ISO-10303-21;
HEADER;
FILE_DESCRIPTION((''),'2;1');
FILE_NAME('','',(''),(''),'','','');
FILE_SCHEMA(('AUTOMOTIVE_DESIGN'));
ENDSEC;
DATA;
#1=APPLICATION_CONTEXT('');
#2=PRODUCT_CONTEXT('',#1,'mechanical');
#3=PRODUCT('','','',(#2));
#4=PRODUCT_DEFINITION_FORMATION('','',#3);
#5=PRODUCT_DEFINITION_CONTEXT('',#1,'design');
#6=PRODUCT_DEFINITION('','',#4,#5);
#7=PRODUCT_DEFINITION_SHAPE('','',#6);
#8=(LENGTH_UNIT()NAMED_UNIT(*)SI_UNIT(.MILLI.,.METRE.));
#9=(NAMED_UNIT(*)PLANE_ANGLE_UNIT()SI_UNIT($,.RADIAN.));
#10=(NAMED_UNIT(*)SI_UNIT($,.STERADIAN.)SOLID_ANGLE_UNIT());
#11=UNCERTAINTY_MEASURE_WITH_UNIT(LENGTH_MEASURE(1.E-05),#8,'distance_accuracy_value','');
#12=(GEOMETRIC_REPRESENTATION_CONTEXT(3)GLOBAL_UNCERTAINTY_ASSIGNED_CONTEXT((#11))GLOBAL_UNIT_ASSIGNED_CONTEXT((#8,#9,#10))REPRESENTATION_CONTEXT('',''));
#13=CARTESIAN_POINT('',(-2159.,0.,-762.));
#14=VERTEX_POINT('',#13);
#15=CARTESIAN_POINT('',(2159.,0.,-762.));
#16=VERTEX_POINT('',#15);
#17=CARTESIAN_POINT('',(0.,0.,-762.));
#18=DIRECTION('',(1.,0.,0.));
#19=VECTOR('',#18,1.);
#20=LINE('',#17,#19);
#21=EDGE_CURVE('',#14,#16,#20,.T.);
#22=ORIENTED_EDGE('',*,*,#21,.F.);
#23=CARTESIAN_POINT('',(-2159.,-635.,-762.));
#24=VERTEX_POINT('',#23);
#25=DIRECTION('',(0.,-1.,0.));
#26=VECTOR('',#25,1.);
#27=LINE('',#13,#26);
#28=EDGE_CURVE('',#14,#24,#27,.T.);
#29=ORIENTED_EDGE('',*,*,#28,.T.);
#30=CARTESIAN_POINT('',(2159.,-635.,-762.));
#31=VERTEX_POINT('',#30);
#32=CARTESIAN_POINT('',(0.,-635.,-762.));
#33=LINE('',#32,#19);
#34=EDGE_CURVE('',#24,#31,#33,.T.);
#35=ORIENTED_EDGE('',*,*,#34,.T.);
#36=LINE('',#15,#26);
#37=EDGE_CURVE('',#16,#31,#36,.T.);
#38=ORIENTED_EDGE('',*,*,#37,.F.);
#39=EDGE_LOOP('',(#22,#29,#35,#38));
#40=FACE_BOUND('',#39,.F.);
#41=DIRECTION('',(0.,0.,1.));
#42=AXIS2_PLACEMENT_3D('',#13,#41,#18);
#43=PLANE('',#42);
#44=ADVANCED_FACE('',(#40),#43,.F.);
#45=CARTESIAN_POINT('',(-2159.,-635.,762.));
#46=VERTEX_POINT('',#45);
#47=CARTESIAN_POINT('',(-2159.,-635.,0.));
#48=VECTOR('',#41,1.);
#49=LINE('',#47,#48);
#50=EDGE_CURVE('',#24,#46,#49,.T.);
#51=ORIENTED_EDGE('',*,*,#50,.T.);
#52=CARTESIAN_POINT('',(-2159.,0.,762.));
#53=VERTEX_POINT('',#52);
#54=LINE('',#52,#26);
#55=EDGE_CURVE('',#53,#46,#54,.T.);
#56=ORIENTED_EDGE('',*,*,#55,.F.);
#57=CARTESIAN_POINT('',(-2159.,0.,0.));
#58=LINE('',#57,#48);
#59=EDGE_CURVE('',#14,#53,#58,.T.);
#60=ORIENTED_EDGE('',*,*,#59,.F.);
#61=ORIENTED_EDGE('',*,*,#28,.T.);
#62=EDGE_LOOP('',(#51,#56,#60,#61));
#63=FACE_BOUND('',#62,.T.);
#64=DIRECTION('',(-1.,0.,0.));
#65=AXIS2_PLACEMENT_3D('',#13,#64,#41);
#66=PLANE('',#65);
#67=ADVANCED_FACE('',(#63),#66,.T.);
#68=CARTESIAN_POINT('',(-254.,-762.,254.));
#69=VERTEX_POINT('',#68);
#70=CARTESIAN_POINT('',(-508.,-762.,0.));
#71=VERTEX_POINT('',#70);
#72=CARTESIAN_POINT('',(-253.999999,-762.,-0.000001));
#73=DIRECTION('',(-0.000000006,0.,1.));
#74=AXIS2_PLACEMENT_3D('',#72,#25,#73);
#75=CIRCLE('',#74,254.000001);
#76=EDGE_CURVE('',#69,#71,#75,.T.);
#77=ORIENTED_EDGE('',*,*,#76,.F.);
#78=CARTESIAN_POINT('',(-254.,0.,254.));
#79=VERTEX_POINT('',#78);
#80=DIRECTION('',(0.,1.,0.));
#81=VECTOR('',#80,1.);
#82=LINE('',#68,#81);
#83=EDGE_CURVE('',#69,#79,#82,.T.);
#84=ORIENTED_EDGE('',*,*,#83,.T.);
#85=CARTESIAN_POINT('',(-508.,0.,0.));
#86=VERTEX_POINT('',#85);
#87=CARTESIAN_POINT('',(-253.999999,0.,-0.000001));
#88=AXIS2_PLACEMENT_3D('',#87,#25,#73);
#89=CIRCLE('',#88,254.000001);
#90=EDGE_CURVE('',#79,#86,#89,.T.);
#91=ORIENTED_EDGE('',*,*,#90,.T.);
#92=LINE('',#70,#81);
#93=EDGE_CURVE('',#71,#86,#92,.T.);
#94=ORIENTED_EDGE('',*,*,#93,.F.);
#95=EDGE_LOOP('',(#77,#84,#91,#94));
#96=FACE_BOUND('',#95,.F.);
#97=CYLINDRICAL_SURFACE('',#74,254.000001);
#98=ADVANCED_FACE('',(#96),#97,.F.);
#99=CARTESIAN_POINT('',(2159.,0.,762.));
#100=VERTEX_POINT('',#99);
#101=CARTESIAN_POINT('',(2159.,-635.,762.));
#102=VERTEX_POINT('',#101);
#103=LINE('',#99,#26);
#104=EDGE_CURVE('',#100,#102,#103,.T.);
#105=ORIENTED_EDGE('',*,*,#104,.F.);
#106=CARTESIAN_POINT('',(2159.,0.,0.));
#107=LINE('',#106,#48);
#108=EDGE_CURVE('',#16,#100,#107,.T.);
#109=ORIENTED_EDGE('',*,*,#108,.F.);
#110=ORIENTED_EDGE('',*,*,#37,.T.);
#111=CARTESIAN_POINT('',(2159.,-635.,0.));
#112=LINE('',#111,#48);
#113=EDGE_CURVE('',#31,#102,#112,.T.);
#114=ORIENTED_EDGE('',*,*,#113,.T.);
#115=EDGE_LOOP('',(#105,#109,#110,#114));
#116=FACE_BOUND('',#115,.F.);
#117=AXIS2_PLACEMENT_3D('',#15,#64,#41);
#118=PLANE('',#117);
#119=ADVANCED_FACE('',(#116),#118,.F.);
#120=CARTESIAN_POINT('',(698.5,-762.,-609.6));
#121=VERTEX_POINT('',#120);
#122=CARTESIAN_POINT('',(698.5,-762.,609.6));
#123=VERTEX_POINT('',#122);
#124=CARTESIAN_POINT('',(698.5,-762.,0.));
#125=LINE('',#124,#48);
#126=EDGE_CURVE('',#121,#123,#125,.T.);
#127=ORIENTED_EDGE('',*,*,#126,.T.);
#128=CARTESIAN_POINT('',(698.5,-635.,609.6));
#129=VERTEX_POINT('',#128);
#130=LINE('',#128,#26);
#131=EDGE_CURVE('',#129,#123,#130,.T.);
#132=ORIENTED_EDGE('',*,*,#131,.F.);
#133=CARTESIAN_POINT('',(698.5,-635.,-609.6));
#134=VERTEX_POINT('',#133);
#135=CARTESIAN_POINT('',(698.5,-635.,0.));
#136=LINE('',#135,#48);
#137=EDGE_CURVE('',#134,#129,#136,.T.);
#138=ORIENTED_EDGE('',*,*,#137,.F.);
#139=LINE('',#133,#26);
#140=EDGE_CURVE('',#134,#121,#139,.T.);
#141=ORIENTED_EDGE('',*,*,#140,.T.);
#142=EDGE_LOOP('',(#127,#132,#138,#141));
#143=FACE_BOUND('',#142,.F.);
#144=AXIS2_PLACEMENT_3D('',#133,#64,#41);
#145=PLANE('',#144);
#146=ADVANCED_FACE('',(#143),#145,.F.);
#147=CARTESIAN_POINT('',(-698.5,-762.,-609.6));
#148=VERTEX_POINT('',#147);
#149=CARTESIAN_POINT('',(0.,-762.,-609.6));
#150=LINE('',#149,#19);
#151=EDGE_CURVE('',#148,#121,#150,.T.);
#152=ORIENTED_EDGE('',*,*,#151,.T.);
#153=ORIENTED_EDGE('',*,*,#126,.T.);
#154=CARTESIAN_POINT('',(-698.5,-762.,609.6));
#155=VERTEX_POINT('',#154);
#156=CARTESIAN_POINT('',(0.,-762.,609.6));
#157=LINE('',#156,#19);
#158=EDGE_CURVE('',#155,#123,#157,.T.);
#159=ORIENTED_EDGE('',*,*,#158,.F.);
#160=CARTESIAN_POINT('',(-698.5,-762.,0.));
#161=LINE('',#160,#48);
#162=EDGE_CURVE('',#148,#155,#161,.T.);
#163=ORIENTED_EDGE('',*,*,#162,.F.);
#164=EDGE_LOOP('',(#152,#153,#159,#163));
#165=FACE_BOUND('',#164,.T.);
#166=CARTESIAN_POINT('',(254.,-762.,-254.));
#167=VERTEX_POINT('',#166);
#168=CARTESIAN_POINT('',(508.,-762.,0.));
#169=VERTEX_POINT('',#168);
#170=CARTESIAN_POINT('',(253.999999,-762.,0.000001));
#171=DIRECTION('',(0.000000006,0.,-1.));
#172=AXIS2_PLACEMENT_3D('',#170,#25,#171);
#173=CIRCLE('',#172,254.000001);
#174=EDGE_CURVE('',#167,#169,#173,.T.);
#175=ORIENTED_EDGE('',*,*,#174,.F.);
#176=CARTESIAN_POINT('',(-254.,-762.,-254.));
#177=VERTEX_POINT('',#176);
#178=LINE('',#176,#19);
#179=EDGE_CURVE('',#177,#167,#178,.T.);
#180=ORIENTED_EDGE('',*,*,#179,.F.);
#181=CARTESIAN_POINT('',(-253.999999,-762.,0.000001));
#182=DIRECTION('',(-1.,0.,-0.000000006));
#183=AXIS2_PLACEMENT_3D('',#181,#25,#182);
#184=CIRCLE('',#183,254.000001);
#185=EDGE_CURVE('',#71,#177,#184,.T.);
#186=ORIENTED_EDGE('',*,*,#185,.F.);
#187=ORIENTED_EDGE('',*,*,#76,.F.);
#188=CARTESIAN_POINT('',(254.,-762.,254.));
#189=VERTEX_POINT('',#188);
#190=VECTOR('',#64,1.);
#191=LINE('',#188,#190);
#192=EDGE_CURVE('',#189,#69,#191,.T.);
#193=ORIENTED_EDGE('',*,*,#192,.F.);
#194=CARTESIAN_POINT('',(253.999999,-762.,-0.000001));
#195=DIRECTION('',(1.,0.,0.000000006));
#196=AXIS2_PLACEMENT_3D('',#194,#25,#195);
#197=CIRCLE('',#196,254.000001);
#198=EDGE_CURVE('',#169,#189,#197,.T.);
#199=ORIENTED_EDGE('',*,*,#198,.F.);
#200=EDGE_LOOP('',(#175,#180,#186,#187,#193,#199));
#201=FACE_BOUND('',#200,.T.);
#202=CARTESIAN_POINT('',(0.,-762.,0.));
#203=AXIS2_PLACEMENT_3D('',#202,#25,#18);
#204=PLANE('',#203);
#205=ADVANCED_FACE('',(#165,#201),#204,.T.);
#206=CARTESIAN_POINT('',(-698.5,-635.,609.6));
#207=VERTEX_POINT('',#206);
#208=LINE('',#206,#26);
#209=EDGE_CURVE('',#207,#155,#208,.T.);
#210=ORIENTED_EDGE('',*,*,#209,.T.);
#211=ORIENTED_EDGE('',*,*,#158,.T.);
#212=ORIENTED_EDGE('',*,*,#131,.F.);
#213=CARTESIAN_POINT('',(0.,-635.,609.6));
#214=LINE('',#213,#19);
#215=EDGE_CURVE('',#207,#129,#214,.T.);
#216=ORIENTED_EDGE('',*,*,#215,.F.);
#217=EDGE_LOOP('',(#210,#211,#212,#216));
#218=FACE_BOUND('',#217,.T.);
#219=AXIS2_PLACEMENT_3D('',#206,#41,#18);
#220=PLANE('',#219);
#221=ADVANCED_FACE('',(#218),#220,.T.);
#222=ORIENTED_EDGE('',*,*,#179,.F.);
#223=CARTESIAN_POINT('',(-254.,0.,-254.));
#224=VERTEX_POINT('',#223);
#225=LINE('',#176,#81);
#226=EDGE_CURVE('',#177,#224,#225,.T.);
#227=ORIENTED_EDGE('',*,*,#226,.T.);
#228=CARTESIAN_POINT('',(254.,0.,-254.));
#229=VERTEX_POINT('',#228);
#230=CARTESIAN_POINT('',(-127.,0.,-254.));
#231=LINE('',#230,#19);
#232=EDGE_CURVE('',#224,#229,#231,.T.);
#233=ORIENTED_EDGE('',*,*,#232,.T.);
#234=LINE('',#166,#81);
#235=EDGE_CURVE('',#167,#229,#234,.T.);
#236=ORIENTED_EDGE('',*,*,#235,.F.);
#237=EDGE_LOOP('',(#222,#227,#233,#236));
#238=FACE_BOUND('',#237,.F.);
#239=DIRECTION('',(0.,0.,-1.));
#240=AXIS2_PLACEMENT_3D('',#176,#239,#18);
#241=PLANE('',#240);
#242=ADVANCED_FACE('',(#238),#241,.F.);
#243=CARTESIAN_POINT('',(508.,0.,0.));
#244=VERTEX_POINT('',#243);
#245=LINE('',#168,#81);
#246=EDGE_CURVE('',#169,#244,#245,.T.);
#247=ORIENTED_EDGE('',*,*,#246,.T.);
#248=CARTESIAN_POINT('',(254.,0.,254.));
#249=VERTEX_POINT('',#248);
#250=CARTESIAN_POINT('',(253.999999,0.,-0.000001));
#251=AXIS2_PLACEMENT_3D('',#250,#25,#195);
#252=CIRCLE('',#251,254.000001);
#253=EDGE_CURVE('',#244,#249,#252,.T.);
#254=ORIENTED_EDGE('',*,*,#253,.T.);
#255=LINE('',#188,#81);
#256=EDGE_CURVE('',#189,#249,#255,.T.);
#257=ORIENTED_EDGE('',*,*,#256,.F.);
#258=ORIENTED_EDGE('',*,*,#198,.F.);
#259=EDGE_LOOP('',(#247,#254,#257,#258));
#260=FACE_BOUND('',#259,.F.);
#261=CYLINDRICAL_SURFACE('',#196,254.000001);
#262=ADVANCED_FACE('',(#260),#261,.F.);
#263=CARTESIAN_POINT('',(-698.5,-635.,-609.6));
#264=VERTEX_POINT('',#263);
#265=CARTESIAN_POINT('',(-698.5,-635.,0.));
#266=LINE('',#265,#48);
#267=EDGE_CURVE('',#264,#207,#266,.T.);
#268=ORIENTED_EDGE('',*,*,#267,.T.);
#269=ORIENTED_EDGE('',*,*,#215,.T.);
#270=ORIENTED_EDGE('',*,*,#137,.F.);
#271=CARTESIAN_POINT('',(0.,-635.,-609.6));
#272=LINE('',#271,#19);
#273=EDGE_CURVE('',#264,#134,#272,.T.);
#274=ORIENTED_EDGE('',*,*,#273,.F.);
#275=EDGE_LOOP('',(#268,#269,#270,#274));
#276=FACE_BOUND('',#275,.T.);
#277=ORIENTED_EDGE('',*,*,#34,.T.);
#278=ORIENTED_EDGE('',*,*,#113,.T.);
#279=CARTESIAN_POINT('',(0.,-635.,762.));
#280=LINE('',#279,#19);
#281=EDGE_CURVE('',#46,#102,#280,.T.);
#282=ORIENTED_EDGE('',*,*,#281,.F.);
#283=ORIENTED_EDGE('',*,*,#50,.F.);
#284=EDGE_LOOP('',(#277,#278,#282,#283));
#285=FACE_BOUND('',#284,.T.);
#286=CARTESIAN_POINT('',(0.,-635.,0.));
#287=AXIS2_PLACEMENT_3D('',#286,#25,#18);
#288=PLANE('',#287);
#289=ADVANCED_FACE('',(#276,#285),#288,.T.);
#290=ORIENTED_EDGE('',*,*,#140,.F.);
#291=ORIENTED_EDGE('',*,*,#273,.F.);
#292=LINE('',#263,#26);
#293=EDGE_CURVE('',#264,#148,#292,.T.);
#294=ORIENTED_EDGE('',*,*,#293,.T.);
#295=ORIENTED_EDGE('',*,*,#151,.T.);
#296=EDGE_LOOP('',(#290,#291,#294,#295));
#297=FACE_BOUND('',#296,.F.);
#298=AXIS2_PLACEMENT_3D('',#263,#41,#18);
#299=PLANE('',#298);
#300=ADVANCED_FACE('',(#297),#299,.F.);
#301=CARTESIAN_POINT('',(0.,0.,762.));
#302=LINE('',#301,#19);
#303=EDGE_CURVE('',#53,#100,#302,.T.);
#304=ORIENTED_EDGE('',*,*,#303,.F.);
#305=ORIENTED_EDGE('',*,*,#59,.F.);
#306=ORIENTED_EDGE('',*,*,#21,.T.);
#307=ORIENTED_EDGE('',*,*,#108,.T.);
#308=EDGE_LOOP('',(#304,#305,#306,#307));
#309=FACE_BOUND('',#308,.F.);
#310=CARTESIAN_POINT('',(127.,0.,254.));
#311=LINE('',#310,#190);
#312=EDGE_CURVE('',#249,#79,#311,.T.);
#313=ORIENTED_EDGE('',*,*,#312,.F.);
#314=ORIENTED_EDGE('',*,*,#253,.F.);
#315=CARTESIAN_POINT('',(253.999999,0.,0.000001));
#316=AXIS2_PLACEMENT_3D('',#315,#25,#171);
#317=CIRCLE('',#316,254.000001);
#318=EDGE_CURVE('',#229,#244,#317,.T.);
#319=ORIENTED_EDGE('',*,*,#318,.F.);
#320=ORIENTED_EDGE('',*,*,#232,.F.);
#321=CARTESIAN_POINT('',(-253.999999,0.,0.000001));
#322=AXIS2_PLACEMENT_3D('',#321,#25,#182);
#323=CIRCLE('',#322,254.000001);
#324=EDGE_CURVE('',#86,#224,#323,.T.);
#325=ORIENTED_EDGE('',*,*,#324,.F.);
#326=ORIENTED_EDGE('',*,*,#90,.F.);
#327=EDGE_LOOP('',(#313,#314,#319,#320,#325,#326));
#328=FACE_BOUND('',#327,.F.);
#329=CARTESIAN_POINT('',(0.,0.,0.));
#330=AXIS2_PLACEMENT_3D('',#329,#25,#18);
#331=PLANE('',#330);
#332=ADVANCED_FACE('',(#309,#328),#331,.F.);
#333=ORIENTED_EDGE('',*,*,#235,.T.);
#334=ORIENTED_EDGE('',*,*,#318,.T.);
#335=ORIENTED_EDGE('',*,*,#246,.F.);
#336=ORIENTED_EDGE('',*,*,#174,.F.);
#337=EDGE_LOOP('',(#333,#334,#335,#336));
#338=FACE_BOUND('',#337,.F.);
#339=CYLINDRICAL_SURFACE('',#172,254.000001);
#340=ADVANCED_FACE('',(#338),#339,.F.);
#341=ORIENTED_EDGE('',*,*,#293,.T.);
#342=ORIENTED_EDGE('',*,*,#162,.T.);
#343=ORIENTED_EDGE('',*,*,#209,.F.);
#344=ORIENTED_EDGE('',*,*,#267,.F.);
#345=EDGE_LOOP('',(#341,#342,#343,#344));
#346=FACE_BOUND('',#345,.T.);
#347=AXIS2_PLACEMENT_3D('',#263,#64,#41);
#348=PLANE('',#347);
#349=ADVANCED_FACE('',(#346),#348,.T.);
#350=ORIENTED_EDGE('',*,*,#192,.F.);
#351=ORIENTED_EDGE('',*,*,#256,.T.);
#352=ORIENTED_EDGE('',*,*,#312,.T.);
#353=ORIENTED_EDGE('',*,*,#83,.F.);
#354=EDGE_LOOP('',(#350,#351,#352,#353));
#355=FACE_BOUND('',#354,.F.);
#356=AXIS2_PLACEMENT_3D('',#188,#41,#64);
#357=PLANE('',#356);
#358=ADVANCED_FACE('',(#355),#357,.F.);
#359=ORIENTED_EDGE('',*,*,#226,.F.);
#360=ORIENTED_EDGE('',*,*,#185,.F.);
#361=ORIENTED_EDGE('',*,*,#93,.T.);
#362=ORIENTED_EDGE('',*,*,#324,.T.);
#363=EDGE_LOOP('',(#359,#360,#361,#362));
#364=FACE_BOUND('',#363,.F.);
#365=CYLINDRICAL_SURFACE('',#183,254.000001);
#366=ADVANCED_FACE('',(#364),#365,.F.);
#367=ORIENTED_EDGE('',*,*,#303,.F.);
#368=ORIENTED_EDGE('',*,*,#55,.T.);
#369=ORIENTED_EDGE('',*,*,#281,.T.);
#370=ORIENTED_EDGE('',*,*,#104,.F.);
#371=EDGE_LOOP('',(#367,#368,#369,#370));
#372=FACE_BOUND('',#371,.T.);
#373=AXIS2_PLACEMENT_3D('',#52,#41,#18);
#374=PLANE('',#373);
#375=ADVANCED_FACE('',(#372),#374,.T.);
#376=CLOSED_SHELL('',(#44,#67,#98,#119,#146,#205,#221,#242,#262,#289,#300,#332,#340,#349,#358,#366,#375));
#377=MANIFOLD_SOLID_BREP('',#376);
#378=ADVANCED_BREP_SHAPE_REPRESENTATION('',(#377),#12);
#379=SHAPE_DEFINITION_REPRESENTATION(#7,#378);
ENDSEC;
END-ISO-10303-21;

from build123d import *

# Parameters (mm, degrees)
F0_W     = 4318
F0_H     = 1524
F1_DEPTH = 635
F2_W     = 1397
F2_H     = 1219.2
F3_DEPTH = 127
F5_DEPTH = 762.001


with BuildPart() as f1:
    # F0 (on Front) → F1 (new body)
    with BuildSketch(Plane.XZ):
        Rectangle(F0_W, F0_H)
    extrude(amount=F1_DEPTH)

    # F2 (on face) → F3 (join)
    with BuildSketch(Plane.XZ.offset(635)):
        Rectangle(F2_W, F2_H)
    extrude(amount=F3_DEPTH)

    # F4 (on face) → F5 (cut, through all)
    with BuildSketch(Plane.XZ.offset(762)):
        with BuildLine():
            Line((-254, -254), (254, -254))
            ThreePointArc((254, -254), (433.605122, -179.605122), (508, 0))
            ThreePointArc((508, 0), (433.605122, 179.605122), (254, 254))
            Line((254, 254), (-254, 254))
            ThreePointArc((-254, 254), (-433.605122, 179.605122), (-508, 0))
            ThreePointArc((-508, 0), (-433.605122, -179.605122), (-254, -254))
        make_face()
    extrude(amount=-F5_DEPTH, mode=Mode.SUBTRACT)


solid = f1.part
